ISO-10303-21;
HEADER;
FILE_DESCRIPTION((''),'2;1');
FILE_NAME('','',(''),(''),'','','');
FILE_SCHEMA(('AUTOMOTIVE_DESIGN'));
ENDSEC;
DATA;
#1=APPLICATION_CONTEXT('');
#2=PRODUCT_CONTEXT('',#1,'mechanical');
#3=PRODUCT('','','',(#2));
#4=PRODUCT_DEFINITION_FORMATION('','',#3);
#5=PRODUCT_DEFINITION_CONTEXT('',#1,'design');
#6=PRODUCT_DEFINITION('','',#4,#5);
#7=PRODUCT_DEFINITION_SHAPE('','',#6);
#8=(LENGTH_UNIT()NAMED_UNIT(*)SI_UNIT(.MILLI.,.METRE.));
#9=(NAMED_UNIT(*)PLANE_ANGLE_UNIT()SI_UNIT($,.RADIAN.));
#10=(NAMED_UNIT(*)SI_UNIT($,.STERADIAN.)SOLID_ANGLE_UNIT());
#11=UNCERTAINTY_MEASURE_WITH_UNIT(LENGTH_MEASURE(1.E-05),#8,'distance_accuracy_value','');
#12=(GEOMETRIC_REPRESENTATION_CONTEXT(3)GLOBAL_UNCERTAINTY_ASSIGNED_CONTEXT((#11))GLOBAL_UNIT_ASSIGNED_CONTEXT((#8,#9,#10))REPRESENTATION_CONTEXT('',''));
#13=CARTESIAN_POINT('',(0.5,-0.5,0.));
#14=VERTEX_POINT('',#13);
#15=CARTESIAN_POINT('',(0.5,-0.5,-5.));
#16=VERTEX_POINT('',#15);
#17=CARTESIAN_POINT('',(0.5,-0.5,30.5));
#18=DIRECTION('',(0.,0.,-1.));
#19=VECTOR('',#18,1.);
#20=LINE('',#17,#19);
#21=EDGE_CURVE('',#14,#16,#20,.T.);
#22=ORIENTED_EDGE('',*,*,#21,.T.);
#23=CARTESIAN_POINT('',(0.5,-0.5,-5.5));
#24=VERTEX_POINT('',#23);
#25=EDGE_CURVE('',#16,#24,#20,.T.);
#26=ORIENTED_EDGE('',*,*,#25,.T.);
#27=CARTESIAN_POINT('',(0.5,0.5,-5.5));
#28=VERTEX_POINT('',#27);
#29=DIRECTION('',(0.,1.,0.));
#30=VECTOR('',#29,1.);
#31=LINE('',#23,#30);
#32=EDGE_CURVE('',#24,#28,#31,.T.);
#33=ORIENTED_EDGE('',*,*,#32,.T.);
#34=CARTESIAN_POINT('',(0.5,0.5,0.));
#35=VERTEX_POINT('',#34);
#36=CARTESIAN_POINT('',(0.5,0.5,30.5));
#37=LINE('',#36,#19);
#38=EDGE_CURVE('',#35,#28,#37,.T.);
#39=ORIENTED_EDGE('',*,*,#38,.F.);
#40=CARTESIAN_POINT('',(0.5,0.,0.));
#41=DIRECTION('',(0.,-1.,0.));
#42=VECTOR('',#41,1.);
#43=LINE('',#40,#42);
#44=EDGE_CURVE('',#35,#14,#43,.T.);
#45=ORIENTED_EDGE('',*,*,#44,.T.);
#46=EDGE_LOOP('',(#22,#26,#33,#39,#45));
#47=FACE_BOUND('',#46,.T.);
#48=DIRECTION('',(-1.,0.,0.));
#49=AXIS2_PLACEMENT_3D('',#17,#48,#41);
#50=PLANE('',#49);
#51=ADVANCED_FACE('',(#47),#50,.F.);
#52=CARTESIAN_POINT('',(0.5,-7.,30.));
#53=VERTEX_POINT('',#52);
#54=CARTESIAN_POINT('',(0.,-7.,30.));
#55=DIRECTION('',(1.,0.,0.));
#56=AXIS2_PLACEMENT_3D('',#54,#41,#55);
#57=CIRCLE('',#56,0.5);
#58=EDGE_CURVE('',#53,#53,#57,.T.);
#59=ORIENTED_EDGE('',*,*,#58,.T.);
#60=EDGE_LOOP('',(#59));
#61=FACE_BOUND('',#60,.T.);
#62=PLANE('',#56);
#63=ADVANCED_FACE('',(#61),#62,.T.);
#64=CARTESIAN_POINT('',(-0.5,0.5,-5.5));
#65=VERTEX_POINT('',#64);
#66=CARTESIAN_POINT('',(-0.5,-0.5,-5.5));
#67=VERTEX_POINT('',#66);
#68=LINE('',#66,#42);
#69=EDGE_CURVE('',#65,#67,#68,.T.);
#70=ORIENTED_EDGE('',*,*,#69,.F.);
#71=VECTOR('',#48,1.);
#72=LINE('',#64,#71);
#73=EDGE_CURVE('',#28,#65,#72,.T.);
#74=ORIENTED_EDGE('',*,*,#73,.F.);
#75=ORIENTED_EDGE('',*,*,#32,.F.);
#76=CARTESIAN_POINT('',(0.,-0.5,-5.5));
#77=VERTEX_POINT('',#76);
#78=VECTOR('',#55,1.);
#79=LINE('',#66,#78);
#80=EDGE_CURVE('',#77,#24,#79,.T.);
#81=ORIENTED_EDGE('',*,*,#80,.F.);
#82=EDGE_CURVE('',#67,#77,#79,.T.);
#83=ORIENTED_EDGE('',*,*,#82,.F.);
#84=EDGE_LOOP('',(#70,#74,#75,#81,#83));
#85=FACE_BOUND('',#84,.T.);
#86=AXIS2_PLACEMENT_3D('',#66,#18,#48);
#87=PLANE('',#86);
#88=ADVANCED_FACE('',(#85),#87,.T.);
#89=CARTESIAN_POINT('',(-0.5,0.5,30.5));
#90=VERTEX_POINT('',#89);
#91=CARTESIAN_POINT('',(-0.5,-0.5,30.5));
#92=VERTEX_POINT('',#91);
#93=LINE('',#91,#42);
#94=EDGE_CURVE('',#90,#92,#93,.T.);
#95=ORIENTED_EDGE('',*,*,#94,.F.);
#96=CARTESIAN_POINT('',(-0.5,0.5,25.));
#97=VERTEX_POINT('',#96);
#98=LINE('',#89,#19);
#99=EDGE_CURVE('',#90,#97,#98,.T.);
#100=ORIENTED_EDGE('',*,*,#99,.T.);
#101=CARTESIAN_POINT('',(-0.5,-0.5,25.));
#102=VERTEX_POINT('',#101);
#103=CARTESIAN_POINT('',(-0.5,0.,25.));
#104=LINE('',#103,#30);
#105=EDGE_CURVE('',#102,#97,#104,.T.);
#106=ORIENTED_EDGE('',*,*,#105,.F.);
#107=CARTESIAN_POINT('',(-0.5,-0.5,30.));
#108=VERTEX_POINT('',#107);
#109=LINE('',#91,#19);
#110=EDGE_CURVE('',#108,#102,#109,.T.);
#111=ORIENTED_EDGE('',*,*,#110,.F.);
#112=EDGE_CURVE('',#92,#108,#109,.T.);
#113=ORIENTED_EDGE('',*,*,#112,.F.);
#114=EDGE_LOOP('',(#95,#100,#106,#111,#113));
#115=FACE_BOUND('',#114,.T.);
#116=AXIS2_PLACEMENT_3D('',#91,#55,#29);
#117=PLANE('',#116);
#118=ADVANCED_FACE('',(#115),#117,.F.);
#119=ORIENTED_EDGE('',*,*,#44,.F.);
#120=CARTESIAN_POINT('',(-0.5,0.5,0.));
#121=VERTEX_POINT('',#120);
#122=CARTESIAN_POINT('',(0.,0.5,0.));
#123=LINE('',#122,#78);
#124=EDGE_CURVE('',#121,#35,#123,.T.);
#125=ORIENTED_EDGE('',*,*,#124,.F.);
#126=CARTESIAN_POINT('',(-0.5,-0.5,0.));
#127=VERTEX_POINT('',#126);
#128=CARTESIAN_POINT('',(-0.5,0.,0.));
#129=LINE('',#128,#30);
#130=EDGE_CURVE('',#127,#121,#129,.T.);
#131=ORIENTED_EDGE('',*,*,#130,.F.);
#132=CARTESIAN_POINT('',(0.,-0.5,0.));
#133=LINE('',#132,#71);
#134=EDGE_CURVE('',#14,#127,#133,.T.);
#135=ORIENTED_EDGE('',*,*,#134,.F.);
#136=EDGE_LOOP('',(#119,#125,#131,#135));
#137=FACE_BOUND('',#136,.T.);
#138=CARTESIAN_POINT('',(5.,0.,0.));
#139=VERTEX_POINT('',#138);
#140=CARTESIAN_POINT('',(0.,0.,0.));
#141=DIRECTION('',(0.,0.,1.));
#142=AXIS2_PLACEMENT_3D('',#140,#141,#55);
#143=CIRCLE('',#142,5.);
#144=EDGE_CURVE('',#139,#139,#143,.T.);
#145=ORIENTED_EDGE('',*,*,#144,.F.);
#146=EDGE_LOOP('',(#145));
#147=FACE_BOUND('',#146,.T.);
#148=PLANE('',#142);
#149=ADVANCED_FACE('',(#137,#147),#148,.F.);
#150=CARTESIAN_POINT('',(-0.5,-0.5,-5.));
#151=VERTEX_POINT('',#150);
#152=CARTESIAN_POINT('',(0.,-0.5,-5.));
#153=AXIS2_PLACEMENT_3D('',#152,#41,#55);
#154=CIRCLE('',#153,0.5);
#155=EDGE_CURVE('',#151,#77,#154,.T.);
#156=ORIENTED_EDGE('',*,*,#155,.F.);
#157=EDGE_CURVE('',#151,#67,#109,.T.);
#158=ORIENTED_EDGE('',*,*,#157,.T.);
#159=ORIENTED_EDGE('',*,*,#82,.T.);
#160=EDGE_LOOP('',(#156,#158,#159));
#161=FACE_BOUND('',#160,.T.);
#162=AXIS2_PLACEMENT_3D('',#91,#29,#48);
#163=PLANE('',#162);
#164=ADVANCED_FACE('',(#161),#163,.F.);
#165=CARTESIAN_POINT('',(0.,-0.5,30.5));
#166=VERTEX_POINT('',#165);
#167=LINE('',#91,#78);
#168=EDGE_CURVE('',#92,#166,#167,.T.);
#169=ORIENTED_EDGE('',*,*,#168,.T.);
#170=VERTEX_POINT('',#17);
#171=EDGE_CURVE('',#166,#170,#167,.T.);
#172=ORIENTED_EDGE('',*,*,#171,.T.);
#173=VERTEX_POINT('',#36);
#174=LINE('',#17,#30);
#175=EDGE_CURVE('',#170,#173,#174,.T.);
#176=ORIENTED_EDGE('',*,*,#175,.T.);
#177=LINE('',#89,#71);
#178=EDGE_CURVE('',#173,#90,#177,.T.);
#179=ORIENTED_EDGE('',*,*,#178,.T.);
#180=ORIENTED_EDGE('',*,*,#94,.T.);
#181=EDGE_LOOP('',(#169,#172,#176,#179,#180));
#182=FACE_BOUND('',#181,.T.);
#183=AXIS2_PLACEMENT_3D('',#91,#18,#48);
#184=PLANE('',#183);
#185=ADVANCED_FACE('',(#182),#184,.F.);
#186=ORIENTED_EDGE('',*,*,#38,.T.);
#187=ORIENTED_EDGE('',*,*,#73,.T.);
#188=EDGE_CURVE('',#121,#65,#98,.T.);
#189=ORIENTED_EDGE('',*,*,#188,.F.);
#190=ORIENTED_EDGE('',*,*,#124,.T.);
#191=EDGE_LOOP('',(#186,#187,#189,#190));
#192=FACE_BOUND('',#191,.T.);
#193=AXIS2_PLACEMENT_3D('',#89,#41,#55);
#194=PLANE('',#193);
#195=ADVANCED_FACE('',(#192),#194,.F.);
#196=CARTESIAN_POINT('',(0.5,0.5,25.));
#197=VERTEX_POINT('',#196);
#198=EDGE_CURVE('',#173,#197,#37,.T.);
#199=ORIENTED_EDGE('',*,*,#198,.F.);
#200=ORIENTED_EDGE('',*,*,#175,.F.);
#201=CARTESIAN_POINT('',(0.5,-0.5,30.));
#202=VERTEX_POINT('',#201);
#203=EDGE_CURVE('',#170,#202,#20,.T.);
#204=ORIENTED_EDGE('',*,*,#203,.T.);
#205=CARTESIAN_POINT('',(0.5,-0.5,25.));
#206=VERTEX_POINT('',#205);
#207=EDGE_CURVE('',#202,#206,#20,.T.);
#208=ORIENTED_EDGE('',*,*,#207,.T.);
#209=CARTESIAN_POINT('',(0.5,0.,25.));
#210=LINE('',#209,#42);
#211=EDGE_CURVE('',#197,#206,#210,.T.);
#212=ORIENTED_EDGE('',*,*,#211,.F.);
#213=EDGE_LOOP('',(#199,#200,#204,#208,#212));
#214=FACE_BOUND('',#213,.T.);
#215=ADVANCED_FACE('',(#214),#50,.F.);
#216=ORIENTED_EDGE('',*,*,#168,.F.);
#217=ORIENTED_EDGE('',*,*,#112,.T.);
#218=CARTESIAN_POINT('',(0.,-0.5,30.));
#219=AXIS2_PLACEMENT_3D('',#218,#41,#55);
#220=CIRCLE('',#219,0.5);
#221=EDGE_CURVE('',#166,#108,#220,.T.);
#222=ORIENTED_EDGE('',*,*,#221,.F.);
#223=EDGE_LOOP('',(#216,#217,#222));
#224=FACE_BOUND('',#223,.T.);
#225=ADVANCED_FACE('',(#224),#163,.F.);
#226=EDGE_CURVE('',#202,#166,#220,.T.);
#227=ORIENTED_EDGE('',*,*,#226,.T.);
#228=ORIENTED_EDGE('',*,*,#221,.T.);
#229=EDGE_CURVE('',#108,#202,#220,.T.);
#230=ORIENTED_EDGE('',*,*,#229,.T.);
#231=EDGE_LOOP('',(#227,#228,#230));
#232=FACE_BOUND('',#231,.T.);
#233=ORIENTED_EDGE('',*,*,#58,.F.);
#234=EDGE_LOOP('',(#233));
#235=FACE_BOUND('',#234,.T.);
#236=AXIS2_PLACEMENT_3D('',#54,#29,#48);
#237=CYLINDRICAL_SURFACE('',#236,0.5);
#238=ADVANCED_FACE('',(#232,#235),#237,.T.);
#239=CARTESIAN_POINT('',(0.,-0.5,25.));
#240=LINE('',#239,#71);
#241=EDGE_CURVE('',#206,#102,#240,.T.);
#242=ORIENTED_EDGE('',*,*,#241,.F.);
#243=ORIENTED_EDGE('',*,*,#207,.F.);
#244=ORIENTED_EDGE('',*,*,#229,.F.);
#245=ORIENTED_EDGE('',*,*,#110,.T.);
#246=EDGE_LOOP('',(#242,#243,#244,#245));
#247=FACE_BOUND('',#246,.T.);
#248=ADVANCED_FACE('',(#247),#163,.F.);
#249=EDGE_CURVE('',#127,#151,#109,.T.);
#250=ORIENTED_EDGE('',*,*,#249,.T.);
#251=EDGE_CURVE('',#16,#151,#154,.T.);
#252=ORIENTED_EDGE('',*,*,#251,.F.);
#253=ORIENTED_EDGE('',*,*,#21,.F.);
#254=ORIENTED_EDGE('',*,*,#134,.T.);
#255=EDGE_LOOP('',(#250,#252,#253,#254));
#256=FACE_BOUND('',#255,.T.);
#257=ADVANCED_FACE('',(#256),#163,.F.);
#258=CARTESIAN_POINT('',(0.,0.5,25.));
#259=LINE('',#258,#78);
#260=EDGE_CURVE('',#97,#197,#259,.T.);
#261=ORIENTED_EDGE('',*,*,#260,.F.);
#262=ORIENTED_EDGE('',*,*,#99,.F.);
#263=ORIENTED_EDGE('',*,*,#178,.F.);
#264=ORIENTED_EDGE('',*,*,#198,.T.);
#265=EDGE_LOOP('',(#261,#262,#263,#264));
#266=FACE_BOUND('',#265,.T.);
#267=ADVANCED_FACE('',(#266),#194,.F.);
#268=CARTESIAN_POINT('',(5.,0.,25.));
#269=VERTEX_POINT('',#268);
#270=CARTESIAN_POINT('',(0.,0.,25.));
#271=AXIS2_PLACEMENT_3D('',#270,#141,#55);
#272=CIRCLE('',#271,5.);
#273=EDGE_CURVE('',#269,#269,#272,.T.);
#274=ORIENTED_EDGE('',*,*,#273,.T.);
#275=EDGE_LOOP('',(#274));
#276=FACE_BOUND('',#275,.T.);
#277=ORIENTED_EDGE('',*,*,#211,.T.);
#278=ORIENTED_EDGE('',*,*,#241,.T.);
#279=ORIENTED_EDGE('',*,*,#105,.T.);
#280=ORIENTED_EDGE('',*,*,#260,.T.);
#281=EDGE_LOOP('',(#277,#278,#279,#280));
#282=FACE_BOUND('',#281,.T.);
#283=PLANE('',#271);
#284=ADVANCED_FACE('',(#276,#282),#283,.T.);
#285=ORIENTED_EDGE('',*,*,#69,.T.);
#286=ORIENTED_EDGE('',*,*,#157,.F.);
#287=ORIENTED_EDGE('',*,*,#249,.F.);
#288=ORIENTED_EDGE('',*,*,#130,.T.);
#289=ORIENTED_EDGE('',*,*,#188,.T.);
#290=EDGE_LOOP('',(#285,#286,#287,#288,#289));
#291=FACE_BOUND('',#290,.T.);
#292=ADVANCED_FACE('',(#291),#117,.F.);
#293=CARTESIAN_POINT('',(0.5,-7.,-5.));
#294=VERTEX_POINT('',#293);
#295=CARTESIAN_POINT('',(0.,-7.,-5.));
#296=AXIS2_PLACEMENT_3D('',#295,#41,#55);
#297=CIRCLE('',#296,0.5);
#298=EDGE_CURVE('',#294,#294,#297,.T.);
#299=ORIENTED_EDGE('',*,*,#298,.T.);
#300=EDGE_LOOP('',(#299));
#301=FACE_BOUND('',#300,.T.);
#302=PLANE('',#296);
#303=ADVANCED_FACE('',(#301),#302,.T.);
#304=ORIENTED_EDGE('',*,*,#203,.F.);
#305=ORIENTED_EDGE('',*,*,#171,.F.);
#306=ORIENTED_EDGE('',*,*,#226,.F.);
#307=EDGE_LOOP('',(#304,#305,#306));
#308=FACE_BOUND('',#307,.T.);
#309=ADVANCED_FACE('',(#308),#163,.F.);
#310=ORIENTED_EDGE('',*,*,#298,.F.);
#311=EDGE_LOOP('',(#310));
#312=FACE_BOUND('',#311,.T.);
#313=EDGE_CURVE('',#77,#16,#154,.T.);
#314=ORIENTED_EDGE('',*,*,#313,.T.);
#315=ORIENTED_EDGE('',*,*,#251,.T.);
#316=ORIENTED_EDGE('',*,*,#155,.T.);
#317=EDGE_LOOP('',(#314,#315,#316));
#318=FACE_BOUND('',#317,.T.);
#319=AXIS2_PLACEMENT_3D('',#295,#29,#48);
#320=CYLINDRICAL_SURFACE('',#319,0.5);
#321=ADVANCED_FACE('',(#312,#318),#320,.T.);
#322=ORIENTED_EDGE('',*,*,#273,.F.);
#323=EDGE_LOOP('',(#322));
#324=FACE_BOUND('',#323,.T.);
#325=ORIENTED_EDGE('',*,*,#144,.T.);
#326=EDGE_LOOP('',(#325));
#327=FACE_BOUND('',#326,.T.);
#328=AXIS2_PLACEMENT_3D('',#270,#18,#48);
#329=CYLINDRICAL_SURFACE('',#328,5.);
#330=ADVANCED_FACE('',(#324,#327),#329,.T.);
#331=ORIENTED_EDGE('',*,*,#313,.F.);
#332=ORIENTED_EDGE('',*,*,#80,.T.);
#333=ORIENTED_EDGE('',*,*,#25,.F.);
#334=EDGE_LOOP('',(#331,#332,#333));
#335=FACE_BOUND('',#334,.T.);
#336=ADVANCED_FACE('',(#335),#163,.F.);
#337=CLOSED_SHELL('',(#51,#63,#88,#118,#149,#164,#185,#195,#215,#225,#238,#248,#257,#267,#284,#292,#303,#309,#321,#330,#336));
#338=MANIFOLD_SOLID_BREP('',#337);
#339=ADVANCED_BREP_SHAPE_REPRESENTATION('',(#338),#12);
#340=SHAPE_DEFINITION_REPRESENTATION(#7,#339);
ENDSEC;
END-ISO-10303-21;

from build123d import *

# Parameters (mm, degrees)
SKETCH_1_R           = 5
EXTRUDE_1_DEPTH      = 25
EXTRUDE_2_DEPTH      = 5.5
EXTRUDE_2_DEPTH_BACK = 30.5
SKETCH_2_W           = 1
SKETCH_2_H           = 1
SKETCH_3_R           = 0.5
EXTRUDE_3_DEPTH      = 6.5


with BuildPart() as part:
    # Эскиз1 → Вытянуть1 (new body)
    with BuildSketch(Plane.XY):
        Circle(SKETCH_1_R)
    extrude(amount=EXTRUDE_1_DEPTH)

    # Эскиз2 → Вытянуть2 (add, two sides: drawn at the far end of the back side and taken through both)
    with BuildSketch(Plane.XY.offset(25).offset(-EXTRUDE_2_DEPTH_BACK)):
        Rectangle(SKETCH_2_W, SKETCH_2_H)
    extrude(amount=EXTRUDE_2_DEPTH + EXTRUDE_2_DEPTH_BACK)

    # Эскиз3 → Вытянуть3 (add)
    with BuildSketch(Plane.XZ.offset(0.5)):
        with Locations((0, 30)):
            Circle(SKETCH_3_R)
        with Locations((0, -5)):
            Circle(SKETCH_3_R)
    extrude(amount=EXTRUDE_3_DEPTH)


solid = part.part
